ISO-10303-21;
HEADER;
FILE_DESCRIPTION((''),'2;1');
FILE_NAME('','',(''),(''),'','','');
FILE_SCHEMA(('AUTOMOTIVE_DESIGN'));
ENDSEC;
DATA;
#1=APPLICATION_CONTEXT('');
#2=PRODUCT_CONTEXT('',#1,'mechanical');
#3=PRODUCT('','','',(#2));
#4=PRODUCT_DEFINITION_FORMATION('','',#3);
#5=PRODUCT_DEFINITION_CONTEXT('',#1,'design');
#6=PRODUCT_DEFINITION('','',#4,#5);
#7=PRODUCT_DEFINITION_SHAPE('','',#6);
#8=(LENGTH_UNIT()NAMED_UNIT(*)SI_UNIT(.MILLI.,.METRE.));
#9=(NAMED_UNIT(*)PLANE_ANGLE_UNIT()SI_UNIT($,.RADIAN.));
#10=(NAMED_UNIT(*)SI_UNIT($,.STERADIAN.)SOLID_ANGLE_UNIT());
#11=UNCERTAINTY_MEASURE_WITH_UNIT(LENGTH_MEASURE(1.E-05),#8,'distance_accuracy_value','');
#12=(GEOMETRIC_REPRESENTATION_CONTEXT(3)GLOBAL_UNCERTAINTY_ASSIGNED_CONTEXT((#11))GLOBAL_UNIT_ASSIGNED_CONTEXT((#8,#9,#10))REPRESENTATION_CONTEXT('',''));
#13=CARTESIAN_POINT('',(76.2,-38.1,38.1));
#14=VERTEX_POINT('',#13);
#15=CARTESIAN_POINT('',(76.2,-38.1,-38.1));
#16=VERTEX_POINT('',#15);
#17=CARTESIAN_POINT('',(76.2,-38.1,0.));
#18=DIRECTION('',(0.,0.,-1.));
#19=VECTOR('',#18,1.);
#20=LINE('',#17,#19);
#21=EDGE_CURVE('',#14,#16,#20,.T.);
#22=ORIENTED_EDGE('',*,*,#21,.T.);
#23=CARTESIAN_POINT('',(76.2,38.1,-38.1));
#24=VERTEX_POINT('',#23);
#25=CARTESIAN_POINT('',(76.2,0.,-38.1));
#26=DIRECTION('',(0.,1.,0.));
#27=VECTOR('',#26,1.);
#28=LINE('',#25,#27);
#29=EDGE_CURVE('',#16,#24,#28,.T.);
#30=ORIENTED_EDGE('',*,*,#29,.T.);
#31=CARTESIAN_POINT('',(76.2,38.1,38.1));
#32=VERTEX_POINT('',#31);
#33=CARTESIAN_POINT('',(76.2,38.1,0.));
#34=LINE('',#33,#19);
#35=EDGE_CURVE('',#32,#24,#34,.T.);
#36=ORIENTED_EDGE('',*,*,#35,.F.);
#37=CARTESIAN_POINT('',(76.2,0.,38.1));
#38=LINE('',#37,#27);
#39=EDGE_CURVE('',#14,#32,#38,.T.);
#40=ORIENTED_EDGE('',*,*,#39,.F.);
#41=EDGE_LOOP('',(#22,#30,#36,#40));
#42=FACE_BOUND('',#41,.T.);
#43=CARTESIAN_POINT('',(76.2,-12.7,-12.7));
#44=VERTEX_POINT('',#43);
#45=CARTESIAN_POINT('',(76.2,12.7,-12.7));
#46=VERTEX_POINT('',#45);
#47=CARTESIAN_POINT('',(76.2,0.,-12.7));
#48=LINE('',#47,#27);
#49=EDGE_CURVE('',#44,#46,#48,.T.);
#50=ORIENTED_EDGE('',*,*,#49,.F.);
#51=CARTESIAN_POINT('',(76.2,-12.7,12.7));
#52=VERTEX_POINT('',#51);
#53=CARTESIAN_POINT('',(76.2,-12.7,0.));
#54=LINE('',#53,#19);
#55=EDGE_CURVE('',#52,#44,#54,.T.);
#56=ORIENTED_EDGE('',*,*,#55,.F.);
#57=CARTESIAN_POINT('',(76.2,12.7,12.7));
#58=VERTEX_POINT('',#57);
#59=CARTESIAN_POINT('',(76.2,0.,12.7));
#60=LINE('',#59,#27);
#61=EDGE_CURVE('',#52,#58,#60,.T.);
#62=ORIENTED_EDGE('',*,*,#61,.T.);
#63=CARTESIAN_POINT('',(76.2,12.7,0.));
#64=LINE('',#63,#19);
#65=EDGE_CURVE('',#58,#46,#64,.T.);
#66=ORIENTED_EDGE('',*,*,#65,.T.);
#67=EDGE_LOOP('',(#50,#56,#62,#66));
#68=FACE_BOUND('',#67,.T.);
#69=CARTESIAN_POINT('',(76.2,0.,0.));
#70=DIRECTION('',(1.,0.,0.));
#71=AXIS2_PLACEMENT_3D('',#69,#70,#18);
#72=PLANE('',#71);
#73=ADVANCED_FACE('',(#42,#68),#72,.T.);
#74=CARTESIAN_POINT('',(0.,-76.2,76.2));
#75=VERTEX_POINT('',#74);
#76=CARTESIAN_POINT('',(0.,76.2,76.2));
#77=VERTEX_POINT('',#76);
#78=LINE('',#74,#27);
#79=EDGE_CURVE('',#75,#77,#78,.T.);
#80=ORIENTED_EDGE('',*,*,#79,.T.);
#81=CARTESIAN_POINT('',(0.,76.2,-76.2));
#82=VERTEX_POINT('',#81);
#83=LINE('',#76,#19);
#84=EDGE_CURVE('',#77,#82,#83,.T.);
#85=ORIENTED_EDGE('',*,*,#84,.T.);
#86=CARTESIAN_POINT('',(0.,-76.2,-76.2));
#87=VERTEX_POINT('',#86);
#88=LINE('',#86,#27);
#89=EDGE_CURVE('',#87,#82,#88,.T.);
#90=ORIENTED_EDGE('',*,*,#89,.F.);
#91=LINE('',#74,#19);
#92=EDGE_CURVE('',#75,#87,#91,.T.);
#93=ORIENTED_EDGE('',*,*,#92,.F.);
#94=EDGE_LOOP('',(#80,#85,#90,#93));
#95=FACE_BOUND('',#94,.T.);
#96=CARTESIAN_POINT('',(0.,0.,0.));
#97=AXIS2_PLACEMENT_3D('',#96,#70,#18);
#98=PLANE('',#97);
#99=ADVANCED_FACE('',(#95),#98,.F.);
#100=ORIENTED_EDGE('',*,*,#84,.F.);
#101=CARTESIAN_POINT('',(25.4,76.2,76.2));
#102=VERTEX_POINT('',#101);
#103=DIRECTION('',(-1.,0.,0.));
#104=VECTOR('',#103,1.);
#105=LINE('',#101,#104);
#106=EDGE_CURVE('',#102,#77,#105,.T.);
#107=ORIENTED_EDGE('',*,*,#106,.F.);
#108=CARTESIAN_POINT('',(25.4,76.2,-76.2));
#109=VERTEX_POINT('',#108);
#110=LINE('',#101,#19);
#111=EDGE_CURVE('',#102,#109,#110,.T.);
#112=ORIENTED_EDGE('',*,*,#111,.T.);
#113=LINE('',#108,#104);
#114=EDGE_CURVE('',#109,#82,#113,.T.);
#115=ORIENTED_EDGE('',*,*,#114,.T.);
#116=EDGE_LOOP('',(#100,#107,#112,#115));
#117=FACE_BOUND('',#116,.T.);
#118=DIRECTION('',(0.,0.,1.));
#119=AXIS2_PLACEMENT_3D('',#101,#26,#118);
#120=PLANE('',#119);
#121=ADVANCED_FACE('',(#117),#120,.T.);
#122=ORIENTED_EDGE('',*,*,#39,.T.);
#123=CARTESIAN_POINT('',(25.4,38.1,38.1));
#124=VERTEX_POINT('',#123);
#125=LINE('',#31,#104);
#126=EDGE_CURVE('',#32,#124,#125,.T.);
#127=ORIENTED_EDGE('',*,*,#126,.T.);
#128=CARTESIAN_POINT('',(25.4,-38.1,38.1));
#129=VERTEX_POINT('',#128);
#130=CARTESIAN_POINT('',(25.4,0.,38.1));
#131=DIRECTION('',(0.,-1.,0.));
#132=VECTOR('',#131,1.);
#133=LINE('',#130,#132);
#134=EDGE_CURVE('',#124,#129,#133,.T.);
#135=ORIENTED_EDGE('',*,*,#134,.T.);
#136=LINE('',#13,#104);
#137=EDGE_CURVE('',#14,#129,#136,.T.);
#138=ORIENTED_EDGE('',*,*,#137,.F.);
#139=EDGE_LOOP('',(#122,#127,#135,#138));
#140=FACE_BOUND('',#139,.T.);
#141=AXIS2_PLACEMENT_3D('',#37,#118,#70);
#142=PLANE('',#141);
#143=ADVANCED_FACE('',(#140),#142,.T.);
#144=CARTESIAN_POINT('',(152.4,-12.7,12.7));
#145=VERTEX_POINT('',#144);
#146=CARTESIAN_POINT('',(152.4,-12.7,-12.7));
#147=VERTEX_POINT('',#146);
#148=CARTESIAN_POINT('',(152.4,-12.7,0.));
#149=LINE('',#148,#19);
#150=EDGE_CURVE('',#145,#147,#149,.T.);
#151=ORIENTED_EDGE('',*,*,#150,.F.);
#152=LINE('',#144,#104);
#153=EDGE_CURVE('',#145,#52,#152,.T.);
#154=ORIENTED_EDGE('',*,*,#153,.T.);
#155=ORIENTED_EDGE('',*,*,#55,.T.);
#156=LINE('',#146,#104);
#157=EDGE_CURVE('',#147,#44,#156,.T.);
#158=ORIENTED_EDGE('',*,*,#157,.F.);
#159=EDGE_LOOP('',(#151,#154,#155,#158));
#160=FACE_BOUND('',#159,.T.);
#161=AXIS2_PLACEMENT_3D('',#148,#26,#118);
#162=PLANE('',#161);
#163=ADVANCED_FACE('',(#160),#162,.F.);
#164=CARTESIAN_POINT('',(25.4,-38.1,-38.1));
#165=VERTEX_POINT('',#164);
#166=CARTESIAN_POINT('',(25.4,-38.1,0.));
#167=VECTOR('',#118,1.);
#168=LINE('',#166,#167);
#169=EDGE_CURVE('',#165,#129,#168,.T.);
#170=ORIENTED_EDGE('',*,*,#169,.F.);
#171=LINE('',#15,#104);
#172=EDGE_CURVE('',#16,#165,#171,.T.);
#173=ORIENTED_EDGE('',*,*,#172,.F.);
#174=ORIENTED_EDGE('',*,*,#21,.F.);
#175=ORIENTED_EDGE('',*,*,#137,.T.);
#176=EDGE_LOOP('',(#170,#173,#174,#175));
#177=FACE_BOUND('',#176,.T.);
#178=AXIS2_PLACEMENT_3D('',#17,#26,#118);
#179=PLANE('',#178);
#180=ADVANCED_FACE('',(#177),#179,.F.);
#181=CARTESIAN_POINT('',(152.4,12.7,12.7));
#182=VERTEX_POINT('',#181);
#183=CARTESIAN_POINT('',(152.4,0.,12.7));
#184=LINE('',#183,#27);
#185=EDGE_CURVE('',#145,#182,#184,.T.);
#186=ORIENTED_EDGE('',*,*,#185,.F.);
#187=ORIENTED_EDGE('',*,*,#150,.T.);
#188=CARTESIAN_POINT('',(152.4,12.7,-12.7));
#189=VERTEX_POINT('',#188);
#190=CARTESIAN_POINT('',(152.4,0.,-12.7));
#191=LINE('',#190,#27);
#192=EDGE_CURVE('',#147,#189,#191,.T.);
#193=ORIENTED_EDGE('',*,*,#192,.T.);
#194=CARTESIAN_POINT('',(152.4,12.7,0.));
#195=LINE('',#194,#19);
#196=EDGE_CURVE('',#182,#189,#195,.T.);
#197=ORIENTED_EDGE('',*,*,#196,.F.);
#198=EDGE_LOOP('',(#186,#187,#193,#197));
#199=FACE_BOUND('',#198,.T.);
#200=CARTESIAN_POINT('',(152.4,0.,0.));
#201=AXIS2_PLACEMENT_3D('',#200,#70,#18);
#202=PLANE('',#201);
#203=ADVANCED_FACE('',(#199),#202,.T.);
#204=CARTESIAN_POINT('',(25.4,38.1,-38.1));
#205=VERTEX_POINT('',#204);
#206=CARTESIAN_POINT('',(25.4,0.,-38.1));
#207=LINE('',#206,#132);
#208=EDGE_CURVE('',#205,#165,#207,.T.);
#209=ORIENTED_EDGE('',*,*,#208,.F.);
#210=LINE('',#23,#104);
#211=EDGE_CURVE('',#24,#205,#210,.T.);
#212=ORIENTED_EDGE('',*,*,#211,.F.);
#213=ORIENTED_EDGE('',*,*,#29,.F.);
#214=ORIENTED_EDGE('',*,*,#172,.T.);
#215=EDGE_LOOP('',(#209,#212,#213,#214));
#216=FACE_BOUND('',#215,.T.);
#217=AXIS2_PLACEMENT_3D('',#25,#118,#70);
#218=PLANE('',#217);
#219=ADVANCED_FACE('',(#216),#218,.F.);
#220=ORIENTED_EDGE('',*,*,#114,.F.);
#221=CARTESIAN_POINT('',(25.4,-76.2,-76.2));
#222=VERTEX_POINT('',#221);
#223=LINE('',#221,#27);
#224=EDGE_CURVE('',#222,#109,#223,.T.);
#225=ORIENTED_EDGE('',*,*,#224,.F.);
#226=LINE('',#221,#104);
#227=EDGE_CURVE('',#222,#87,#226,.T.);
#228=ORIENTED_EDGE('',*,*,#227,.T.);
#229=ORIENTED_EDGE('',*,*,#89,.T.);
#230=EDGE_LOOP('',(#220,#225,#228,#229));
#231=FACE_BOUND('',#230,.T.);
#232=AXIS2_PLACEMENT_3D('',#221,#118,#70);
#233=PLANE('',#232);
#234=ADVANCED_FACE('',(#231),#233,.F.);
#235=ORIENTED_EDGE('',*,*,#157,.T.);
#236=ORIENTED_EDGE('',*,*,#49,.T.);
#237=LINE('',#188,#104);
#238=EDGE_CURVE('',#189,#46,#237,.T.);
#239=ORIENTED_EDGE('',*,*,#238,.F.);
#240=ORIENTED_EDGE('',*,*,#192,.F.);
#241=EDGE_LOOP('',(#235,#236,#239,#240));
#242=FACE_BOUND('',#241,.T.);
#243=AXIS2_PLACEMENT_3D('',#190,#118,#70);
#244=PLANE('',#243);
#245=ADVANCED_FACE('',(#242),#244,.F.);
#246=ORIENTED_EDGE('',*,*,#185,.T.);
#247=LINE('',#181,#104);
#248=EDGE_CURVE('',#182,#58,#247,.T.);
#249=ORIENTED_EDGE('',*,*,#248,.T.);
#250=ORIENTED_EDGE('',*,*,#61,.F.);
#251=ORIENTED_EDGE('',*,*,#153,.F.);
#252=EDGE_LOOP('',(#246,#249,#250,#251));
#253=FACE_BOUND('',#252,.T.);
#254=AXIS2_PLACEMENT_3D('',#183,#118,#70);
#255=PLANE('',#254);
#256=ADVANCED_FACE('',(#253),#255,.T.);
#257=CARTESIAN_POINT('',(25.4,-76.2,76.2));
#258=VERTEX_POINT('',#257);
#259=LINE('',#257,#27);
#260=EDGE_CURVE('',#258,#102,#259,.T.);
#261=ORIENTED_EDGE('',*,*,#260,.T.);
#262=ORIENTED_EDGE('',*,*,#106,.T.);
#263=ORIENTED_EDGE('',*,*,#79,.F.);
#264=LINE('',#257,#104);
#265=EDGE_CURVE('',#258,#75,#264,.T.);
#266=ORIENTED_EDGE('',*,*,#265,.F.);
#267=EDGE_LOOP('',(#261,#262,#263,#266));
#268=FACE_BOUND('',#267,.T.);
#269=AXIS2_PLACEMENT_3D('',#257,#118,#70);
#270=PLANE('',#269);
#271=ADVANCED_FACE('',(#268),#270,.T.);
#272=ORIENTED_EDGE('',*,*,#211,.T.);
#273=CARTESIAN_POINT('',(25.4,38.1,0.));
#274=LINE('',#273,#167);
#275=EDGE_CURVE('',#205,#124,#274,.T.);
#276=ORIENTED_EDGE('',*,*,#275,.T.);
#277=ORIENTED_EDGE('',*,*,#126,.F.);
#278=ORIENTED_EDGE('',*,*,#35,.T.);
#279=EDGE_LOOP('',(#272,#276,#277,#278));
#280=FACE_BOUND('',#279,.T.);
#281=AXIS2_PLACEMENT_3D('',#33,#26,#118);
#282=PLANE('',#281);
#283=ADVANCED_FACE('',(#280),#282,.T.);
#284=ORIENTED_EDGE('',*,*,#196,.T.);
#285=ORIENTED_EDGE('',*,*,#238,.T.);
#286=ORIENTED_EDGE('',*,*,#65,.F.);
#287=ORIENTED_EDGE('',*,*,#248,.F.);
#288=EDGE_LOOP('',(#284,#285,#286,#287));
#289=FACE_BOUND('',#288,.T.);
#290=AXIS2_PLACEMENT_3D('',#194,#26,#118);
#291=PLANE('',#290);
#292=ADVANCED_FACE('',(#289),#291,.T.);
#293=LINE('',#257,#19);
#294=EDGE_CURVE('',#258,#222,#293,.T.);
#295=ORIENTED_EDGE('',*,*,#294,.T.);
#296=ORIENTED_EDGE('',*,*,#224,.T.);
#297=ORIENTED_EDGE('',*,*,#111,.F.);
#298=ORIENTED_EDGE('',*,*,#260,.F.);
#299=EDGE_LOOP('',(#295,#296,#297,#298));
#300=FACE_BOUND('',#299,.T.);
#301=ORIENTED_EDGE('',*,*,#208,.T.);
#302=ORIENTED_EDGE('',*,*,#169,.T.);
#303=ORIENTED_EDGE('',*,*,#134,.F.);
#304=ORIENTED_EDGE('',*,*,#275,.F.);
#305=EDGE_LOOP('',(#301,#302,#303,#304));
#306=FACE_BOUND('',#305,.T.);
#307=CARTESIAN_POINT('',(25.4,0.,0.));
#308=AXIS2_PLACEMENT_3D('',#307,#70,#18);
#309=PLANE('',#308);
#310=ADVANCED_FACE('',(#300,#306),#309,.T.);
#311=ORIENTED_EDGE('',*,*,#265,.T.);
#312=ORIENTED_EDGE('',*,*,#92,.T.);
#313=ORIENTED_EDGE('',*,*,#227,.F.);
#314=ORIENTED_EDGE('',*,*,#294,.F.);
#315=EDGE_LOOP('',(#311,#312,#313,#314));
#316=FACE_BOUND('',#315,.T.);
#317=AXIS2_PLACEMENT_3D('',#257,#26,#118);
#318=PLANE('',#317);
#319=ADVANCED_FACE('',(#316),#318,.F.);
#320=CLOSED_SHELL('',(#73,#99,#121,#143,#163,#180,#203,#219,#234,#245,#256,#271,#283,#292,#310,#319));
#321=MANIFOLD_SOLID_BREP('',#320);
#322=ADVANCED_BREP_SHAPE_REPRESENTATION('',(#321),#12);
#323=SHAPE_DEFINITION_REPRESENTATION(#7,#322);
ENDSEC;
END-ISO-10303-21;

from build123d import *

# Parameters (mm, degrees)
SKETCH1_W           = 25.4
SKETCH1_H           = 25.4
BOSS_EXTRUDE1_DEPTH = 152.4
SKETCH1_3_W         = 76.2
SKETCH1_3_H         = 76.2
SKETCH1_3_W_2       = 25.4
SKETCH1_3_H_2       = 25.4
BOSS_EXTRUDE2_DEPTH = 76.2
SKETCH1_5_W         = 152.4
SKETCH1_5_H         = 152.4
BOSS_EXTRUDE4_DEPTH = 25.4


with BuildPart() as part:
    # Sketch1 → Boss-Extrude1 (new body)
    with BuildSketch(Plane(origin=(0, 0, 0), x_dir=(0, 0, -1), z_dir=(1, 0, 0))):
        Rectangle(SKETCH1_W, SKETCH1_H)
    extrude(amount=BOSS_EXTRUDE1_DEPTH)



with BuildPart() as body_2:
    # Sketch1<3> → Boss-Extrude2 (new body)
    with BuildSketch(Plane(origin=(0, 0, 0), x_dir=(0, 0, -1), z_dir=(1, 0, 0))):
        Rectangle(SKETCH1_3_W, SKETCH1_3_H)
        Rectangle(SKETCH1_3_W_2, SKETCH1_3_H_2, mode=Mode.SUBTRACT)
    extrude(amount=BOSS_EXTRUDE2_DEPTH)


with BuildPart() as part_1:
    add(part.part)

    add(body_2.part)  # Boss-Extrude4 merges body 2
    # Sketch1<5> → Boss-Extrude4 (add)
    with BuildSketch(Plane(origin=(0, 0, 0), x_dir=(0, 0, -1), z_dir=(1, 0, 0))):
        Rectangle(SKETCH1_5_W, SKETCH1_5_H)
    extrude(amount=BOSS_EXTRUDE4_DEPTH)


solid = part_1.part
